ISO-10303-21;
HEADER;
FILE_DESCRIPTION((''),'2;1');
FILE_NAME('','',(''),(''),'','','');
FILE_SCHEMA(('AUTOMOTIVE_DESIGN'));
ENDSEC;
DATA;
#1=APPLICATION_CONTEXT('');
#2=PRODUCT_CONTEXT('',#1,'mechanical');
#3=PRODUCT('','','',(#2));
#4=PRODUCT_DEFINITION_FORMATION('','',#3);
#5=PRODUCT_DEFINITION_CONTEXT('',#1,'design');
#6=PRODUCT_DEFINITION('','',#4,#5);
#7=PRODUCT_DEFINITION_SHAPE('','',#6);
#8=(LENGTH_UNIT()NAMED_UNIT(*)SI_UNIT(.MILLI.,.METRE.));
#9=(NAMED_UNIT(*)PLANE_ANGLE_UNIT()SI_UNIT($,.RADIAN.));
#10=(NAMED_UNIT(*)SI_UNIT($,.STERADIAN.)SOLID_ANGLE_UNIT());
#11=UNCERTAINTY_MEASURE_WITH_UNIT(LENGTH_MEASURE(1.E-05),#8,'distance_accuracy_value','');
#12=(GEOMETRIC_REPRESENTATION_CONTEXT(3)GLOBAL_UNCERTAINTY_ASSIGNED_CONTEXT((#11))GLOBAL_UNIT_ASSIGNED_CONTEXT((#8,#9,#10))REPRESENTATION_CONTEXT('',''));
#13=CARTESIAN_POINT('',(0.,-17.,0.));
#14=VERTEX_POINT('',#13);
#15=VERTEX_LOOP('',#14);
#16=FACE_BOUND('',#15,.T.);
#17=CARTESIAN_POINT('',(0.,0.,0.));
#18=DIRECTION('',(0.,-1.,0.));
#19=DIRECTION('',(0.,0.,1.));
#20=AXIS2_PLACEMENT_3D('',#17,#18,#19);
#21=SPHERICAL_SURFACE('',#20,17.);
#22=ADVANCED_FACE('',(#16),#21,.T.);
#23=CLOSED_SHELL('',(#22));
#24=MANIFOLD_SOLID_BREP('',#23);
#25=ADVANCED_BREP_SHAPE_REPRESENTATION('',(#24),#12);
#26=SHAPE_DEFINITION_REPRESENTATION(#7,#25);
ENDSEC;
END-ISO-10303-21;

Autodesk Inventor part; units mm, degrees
ref_plane "YZ Plane" through (0, 0, 0) normal (1, 0, 0) x (0, 1, 0)
ref_plane "XZ Plane" through (0, 0, 0) normal (0, 1, 0) x (-1, 0, 0)
ref_plane "XY Plane" through (0, 0, 0) normal (0, 0, 1) x (1, 0, 0)
sketch "スケッチ1" plane through (0, 0, 0) normal (1, 0, 0) x (0, 1, 0)
  arc A0 (17, 0) -> (-17, 0) centre (0, 0) ccw
  line L0 (17, 0) -> (-17, 0)
  dimension "d0" = 17
revolve "回転1" add sketch "スケッチ1" angle 360 about axis through (0, 17, 0) along (0, -1, 0)
properties part number "ball" material "ABS プラスチック"
